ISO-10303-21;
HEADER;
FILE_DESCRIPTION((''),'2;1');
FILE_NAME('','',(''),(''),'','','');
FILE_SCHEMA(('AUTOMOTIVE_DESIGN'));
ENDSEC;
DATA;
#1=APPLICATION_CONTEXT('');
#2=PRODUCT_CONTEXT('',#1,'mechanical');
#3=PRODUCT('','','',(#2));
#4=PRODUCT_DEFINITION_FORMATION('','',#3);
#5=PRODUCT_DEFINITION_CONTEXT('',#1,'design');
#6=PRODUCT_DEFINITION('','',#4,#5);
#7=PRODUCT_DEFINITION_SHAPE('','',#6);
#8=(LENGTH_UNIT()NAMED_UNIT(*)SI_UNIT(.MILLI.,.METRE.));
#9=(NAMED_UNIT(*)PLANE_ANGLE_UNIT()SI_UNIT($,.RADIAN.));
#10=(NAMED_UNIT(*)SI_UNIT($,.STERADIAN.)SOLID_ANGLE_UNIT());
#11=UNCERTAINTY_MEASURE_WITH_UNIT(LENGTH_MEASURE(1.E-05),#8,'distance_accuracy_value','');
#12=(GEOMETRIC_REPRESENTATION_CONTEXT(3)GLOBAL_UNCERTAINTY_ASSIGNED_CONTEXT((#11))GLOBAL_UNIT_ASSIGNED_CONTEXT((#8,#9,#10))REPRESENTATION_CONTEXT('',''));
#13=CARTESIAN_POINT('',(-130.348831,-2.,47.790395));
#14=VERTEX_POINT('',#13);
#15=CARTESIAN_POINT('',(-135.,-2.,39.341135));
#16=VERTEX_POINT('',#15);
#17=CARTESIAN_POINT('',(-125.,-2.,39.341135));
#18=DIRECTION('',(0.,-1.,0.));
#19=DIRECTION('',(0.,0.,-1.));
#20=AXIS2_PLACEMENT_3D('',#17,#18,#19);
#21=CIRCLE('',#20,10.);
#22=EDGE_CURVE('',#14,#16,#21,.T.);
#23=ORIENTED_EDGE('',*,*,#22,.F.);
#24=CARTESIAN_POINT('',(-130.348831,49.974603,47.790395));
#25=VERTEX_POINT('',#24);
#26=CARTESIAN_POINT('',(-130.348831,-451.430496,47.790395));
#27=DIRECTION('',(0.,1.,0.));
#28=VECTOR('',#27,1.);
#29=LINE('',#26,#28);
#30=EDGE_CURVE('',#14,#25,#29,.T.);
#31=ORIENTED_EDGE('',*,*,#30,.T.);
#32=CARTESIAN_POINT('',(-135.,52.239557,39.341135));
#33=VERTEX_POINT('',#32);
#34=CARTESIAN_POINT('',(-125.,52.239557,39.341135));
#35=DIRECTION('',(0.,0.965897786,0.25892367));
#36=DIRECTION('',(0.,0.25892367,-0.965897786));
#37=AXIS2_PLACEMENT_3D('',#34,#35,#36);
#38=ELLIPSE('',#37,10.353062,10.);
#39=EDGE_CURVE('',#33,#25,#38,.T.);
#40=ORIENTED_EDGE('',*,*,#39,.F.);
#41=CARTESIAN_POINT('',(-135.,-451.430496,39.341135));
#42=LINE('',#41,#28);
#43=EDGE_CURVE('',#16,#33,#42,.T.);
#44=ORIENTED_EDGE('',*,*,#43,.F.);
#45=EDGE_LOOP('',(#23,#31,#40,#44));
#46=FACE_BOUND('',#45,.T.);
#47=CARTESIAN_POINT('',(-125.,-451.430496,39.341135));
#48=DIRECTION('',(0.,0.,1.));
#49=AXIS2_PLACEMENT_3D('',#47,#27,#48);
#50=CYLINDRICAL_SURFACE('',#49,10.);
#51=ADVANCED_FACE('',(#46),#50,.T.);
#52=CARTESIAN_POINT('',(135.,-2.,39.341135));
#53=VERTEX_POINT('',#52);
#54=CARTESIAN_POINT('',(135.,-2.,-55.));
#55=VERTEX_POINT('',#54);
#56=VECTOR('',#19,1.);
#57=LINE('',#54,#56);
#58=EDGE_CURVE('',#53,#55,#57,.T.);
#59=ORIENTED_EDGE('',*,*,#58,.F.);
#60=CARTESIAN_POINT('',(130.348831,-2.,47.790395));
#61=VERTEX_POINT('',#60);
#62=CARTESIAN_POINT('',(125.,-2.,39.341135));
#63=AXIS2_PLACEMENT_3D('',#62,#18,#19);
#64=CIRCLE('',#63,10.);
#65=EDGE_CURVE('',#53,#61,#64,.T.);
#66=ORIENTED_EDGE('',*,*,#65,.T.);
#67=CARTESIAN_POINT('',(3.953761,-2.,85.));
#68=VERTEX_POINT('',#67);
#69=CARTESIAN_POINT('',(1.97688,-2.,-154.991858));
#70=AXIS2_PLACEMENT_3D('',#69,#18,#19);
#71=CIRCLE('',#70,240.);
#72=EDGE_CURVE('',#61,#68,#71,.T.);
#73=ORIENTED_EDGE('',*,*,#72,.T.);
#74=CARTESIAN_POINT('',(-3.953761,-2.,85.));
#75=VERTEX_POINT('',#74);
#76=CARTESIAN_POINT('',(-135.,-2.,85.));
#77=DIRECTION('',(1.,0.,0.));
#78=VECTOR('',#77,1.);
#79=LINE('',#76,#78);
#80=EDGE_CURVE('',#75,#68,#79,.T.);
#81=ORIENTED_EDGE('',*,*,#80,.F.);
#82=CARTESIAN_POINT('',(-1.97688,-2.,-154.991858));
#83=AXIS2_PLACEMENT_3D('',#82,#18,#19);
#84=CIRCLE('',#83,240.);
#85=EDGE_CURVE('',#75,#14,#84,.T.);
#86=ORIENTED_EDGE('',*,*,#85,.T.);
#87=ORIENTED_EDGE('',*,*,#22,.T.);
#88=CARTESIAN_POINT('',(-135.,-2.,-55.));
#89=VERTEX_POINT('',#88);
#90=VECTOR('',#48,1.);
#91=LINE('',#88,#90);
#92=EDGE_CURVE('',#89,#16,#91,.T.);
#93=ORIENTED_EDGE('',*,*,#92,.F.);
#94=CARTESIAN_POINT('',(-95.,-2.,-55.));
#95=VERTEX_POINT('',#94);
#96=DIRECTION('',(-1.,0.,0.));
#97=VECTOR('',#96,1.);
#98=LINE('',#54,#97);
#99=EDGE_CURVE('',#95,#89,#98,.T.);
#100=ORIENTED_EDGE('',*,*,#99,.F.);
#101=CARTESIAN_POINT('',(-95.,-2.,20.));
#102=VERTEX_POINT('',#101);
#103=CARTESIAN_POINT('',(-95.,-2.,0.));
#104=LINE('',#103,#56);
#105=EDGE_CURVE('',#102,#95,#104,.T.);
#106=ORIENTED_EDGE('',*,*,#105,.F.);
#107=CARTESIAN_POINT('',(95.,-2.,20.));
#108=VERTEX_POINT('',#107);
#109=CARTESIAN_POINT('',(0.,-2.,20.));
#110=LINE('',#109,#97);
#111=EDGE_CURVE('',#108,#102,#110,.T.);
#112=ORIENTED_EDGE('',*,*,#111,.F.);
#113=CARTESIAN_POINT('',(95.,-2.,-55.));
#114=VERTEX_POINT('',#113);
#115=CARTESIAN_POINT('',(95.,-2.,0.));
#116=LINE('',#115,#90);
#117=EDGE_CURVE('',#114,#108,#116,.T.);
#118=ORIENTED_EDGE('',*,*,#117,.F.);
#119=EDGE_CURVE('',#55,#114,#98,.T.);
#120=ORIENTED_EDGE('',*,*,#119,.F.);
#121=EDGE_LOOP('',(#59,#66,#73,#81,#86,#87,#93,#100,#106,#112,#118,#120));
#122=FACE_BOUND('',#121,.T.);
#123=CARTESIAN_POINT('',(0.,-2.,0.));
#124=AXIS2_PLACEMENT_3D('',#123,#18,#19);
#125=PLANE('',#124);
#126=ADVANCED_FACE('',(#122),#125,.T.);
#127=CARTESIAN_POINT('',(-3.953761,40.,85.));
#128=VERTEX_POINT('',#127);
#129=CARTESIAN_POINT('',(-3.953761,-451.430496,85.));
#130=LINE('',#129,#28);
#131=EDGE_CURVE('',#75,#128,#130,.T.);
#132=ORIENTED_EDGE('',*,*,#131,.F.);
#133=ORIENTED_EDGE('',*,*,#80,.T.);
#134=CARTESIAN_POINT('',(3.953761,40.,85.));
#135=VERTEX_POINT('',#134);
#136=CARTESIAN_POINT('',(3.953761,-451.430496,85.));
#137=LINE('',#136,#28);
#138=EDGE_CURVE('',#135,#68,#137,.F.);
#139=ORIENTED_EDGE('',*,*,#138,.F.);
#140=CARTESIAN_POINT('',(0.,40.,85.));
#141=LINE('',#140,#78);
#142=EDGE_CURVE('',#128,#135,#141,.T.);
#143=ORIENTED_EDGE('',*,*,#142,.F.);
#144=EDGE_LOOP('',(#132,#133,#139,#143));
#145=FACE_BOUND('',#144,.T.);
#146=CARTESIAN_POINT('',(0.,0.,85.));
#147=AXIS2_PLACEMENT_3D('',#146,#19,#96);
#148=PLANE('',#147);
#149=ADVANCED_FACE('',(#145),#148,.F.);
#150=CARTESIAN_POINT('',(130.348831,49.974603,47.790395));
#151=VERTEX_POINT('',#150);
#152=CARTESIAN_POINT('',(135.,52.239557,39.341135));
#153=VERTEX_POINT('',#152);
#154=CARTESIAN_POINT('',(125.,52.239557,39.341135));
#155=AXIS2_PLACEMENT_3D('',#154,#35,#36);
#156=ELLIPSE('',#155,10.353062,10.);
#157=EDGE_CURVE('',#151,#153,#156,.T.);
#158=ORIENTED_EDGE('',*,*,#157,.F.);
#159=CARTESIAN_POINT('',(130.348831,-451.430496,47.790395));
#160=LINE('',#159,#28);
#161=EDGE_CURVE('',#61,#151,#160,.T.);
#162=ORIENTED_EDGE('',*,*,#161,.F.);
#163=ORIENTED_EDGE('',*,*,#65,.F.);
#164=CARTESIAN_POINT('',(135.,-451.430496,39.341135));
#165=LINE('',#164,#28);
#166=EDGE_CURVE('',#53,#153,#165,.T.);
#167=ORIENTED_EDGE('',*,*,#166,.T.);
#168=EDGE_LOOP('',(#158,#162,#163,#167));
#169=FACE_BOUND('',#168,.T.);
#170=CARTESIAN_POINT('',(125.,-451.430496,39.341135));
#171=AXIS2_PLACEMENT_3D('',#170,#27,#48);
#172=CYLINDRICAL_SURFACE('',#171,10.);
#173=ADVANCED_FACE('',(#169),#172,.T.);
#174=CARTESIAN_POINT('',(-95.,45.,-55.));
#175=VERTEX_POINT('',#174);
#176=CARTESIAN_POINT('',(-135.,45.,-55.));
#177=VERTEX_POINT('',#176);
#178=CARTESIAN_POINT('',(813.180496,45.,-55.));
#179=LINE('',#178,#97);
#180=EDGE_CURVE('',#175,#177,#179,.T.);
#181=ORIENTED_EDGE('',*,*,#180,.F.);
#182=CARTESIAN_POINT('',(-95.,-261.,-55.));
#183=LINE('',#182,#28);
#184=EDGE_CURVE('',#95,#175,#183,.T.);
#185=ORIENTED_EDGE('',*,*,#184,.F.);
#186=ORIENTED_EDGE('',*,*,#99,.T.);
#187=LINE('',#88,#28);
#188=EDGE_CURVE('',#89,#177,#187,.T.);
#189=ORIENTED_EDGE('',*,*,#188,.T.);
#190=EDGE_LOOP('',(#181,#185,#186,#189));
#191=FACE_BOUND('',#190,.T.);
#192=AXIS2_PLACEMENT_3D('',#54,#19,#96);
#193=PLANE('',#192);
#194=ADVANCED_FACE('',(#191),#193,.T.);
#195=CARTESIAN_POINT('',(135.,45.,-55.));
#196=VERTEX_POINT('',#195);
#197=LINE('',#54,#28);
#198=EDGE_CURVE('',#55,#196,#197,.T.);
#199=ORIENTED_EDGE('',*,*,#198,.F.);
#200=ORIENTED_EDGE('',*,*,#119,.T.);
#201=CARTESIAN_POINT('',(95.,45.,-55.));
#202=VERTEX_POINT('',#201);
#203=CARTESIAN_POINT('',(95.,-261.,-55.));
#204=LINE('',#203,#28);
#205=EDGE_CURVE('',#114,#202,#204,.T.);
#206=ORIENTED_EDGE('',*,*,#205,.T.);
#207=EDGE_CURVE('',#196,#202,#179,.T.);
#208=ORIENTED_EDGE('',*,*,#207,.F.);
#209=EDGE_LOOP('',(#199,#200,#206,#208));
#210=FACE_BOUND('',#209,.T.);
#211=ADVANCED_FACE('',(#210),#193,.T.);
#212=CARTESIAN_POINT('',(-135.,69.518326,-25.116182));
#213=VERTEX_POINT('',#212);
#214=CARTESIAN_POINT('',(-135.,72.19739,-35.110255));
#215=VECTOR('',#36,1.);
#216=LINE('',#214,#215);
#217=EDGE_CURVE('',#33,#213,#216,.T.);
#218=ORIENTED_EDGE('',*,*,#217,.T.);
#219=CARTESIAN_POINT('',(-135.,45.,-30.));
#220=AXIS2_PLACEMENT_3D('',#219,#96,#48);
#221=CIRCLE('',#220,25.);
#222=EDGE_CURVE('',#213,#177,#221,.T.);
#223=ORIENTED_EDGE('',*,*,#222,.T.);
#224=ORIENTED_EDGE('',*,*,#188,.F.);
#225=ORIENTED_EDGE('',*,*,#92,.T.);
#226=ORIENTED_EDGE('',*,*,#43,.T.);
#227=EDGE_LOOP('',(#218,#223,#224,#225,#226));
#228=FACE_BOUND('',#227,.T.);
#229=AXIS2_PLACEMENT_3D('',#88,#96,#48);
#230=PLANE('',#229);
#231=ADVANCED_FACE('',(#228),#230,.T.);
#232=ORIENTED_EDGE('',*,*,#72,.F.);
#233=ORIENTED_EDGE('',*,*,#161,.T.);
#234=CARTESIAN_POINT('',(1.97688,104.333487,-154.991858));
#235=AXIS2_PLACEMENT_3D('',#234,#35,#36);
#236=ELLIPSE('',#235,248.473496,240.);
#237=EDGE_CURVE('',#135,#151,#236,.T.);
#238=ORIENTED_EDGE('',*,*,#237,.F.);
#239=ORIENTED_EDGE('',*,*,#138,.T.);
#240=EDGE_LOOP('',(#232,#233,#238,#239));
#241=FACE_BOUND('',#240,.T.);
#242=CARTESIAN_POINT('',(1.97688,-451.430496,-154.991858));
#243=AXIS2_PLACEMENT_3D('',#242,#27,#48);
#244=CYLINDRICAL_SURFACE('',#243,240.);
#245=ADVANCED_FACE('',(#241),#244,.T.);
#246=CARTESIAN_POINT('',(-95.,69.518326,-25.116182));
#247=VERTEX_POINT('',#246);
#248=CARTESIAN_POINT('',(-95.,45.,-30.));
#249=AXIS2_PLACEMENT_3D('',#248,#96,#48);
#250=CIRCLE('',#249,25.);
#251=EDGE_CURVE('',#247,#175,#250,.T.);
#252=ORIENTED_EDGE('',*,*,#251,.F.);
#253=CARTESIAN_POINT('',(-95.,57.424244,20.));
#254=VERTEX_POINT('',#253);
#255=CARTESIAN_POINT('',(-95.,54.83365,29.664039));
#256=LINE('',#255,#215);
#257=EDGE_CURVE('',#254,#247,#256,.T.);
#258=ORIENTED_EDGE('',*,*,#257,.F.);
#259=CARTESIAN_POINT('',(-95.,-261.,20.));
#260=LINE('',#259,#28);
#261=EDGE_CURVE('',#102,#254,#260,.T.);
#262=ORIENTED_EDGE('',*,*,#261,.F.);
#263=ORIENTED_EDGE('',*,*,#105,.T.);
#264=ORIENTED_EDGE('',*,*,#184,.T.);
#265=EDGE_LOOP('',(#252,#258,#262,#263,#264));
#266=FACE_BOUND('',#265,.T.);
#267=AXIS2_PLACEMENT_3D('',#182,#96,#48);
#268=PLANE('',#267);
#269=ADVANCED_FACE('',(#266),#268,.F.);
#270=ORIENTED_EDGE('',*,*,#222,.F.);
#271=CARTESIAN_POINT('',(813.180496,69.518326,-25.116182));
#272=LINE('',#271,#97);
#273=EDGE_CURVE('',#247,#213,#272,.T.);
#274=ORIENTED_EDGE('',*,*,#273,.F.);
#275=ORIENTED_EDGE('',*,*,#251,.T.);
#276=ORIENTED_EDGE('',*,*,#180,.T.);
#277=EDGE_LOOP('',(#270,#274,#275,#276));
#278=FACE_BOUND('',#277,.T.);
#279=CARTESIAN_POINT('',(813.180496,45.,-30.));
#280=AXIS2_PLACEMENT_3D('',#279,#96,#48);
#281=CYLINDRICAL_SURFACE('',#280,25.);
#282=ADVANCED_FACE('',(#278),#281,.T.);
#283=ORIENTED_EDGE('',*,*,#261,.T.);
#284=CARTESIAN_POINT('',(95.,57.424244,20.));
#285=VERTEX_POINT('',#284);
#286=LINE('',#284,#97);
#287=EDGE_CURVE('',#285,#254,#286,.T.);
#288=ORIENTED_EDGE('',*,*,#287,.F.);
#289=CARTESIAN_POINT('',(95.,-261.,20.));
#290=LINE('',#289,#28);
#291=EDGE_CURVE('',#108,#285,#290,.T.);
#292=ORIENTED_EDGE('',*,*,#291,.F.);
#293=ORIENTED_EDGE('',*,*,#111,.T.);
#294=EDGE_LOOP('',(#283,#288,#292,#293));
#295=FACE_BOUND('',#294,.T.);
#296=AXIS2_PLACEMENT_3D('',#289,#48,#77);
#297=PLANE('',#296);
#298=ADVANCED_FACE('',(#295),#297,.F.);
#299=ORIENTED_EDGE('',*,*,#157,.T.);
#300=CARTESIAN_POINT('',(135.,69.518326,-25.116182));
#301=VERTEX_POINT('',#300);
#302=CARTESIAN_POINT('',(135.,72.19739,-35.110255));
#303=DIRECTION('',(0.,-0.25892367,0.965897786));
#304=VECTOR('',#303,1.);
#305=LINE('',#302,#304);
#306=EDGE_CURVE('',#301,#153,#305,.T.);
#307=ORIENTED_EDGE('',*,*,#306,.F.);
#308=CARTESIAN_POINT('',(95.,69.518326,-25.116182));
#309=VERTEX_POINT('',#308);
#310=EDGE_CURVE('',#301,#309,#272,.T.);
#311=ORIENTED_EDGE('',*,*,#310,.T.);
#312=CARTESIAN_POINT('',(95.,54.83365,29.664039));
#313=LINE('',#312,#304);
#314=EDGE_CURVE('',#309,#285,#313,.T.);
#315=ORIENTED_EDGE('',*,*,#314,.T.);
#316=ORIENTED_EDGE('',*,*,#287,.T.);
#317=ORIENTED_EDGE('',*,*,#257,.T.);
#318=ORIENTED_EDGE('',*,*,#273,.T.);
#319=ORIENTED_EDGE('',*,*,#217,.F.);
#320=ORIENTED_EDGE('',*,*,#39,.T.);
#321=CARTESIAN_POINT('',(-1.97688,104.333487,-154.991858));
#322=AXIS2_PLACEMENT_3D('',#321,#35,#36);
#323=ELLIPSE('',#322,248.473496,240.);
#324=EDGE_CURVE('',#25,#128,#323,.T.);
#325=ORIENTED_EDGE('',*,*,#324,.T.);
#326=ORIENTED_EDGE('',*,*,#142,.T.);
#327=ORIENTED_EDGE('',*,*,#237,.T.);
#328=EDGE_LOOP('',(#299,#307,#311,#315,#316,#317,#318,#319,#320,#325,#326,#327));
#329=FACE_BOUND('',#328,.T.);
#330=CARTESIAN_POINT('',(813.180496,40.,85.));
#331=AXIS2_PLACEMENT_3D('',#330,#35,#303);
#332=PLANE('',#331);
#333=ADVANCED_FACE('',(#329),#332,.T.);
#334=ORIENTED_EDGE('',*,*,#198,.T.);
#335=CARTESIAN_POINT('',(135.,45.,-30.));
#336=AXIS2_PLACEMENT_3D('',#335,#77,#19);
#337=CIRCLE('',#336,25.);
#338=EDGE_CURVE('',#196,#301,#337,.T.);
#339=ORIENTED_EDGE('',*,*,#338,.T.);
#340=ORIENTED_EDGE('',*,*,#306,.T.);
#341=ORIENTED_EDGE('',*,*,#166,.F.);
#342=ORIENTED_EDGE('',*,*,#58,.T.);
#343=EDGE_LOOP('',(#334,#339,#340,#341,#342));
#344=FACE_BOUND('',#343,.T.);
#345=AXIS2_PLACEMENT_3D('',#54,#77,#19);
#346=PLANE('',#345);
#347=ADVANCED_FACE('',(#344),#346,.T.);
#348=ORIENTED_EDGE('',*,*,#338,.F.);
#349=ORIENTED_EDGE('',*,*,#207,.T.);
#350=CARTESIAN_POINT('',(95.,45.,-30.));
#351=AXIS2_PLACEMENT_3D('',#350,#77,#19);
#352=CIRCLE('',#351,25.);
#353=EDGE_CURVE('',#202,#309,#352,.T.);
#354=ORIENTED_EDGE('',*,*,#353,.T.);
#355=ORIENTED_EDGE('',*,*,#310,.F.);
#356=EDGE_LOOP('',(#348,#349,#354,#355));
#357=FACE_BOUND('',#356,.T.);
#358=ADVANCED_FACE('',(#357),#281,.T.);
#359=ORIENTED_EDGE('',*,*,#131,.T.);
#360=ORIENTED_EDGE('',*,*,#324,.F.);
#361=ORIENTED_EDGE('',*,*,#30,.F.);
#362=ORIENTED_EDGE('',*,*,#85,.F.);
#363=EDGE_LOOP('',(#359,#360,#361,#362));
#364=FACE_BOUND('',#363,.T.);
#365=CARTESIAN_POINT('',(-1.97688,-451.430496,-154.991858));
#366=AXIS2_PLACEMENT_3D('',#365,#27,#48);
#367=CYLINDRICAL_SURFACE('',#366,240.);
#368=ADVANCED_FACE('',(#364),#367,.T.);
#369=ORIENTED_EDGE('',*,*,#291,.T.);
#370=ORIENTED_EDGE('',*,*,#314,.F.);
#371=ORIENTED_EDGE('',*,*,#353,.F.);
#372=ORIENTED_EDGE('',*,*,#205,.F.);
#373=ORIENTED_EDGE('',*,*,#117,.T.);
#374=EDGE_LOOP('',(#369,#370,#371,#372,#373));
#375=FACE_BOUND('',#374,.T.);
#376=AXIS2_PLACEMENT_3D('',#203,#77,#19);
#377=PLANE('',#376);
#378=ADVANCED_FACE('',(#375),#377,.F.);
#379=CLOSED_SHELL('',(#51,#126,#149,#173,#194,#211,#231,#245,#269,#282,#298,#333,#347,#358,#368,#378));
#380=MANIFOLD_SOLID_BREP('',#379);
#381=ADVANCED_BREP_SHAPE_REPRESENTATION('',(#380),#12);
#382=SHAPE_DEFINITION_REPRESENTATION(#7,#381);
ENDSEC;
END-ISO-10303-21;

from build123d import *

# Parameters (mm, degrees)
BOSS_EXTRUDE1_DEPTH      = 70
BOSS_EXTRUDE1_DEPTH_BACK = 2
SKETCH1_W                = 270
SKETCH1_H                = 110
CUT_EXTRUDE3_DEPTH       = 331
SKETCH18_W               = 270
SKETCH18_H               = 72
BOSS_EXTRUDE3_DEPTH      = 30
CUT_EXTRUDE16_DEPTH      = 292.590466236
CUT_EXTRUDE16_DEPTH_BACK = 292.590466236
CUT_EXTRUDE17_DEPTH      = 176.025712397
CUT_EXTRUDE17_DEPTH_BACK = 176.025712397


with BuildPart() as part:
    # Sketch1 → Boss-Extrude1 (new, two sides: drawn at the far end of the back side and taken through both)
    with BuildSketch(Plane(origin=(0, 0, 0), x_dir=(1, 0, 0), z_dir=(0, 1, 0)).offset(-BOSS_EXTRUDE1_DEPTH_BACK)):
        Rectangle(SKETCH1_W, SKETCH1_H)
    extrude(amount=BOSS_EXTRUDE1_DEPTH + BOSS_EXTRUDE1_DEPTH_BACK)

    # Sketch2 → Cut-Extrude3 (cut)
    with BuildSketch(Plane(origin=(0, 70, 0), x_dir=(1, 0, 0), z_dir=(0, 1, 0))):
        Polygon((-95, 55), (-95, -20), (0, -20), (95, -20), (95, 55), align=None)
    extrude(amount=-CUT_EXTRUDE3_DEPTH, mode=Mode.SUBTRACT)

    # Sketch18 → Boss-Extrude3 (add)
    with BuildSketch(Plane.XY.offset(55)):
        with Locations((0, 34)):
            Rectangle(SKETCH18_W, SKETCH18_H)
    extrude(amount=BOSS_EXTRUDE3_DEPTH)

    # Sketch19 → Cut-Extrude16 (cut, two sides: drawn at the far end of the back side and taken through both)
    with BuildSketch(Plane(origin=(135, 0, 0), x_dir=(0, 0, -1), z_dir=(1, 0, 0)).offset(-CUT_EXTRUDE16_DEPTH_BACK)):
        with BuildLine():
            Line((-379.944046873, -39.064261373), (-85, 40))
            Line((-85, 40), (25.116182189, 69.51832628))
            ThreePointArc((25.116182189, 69.51832628), (45.85724684, 64.327382716), (55, 45))
            Line((55, 45), (55, -260.357410606))
            Line((55, -260.357410606), (331.938852434, 283.956345293))
            Line((331.938852434, 283.956345293), (-103.005194439, 505.249494526))
            Line((-103.005194439, 505.249494526), (-379.944046873, -39.064261373))
        make_face()
    extrude(amount=CUT_EXTRUDE16_DEPTH + CUT_EXTRUDE16_DEPTH_BACK, mode=Mode.SUBTRACT)

    # Sketch21 → Cut-Extrude17 (cut, two sides: drawn at the far end of the back side and taken through both)
    with BuildSketch(Plane.XZ.offset(2).offset(-CUT_EXTRUDE17_DEPTH_BACK)):
        with BuildLine():
            ThreePointArc((3.953760881, 85), (69.754776005, 75.238802072), (130.348831285, 47.79039518))
            ThreePointArc((130.348831285, 47.79039518), (133.760374217, 44.16356592), (135, 39.341134628))
            Line((135, 39.341134628), (135, 85))
            Line((135, 85), (3.953760881, 85))
        make_face()
        with BuildLine():
            ThreePointArc((-130.348831285, 47.79039518), (-69.754776005, 75.238802072), (-3.953760881, 85))
            Line((-3.953760881, 85), (-135, 85))
            Line((-135, 85), (-135, 39.341134628))
            ThreePointArc((-135, 39.341134628), (-133.760374217, 44.16356592), (-130.348831285, 47.79039518))
        make_face()
    extrude(amount=CUT_EXTRUDE17_DEPTH + CUT_EXTRUDE17_DEPTH_BACK, mode=Mode.SUBTRACT)


solid = part.part
